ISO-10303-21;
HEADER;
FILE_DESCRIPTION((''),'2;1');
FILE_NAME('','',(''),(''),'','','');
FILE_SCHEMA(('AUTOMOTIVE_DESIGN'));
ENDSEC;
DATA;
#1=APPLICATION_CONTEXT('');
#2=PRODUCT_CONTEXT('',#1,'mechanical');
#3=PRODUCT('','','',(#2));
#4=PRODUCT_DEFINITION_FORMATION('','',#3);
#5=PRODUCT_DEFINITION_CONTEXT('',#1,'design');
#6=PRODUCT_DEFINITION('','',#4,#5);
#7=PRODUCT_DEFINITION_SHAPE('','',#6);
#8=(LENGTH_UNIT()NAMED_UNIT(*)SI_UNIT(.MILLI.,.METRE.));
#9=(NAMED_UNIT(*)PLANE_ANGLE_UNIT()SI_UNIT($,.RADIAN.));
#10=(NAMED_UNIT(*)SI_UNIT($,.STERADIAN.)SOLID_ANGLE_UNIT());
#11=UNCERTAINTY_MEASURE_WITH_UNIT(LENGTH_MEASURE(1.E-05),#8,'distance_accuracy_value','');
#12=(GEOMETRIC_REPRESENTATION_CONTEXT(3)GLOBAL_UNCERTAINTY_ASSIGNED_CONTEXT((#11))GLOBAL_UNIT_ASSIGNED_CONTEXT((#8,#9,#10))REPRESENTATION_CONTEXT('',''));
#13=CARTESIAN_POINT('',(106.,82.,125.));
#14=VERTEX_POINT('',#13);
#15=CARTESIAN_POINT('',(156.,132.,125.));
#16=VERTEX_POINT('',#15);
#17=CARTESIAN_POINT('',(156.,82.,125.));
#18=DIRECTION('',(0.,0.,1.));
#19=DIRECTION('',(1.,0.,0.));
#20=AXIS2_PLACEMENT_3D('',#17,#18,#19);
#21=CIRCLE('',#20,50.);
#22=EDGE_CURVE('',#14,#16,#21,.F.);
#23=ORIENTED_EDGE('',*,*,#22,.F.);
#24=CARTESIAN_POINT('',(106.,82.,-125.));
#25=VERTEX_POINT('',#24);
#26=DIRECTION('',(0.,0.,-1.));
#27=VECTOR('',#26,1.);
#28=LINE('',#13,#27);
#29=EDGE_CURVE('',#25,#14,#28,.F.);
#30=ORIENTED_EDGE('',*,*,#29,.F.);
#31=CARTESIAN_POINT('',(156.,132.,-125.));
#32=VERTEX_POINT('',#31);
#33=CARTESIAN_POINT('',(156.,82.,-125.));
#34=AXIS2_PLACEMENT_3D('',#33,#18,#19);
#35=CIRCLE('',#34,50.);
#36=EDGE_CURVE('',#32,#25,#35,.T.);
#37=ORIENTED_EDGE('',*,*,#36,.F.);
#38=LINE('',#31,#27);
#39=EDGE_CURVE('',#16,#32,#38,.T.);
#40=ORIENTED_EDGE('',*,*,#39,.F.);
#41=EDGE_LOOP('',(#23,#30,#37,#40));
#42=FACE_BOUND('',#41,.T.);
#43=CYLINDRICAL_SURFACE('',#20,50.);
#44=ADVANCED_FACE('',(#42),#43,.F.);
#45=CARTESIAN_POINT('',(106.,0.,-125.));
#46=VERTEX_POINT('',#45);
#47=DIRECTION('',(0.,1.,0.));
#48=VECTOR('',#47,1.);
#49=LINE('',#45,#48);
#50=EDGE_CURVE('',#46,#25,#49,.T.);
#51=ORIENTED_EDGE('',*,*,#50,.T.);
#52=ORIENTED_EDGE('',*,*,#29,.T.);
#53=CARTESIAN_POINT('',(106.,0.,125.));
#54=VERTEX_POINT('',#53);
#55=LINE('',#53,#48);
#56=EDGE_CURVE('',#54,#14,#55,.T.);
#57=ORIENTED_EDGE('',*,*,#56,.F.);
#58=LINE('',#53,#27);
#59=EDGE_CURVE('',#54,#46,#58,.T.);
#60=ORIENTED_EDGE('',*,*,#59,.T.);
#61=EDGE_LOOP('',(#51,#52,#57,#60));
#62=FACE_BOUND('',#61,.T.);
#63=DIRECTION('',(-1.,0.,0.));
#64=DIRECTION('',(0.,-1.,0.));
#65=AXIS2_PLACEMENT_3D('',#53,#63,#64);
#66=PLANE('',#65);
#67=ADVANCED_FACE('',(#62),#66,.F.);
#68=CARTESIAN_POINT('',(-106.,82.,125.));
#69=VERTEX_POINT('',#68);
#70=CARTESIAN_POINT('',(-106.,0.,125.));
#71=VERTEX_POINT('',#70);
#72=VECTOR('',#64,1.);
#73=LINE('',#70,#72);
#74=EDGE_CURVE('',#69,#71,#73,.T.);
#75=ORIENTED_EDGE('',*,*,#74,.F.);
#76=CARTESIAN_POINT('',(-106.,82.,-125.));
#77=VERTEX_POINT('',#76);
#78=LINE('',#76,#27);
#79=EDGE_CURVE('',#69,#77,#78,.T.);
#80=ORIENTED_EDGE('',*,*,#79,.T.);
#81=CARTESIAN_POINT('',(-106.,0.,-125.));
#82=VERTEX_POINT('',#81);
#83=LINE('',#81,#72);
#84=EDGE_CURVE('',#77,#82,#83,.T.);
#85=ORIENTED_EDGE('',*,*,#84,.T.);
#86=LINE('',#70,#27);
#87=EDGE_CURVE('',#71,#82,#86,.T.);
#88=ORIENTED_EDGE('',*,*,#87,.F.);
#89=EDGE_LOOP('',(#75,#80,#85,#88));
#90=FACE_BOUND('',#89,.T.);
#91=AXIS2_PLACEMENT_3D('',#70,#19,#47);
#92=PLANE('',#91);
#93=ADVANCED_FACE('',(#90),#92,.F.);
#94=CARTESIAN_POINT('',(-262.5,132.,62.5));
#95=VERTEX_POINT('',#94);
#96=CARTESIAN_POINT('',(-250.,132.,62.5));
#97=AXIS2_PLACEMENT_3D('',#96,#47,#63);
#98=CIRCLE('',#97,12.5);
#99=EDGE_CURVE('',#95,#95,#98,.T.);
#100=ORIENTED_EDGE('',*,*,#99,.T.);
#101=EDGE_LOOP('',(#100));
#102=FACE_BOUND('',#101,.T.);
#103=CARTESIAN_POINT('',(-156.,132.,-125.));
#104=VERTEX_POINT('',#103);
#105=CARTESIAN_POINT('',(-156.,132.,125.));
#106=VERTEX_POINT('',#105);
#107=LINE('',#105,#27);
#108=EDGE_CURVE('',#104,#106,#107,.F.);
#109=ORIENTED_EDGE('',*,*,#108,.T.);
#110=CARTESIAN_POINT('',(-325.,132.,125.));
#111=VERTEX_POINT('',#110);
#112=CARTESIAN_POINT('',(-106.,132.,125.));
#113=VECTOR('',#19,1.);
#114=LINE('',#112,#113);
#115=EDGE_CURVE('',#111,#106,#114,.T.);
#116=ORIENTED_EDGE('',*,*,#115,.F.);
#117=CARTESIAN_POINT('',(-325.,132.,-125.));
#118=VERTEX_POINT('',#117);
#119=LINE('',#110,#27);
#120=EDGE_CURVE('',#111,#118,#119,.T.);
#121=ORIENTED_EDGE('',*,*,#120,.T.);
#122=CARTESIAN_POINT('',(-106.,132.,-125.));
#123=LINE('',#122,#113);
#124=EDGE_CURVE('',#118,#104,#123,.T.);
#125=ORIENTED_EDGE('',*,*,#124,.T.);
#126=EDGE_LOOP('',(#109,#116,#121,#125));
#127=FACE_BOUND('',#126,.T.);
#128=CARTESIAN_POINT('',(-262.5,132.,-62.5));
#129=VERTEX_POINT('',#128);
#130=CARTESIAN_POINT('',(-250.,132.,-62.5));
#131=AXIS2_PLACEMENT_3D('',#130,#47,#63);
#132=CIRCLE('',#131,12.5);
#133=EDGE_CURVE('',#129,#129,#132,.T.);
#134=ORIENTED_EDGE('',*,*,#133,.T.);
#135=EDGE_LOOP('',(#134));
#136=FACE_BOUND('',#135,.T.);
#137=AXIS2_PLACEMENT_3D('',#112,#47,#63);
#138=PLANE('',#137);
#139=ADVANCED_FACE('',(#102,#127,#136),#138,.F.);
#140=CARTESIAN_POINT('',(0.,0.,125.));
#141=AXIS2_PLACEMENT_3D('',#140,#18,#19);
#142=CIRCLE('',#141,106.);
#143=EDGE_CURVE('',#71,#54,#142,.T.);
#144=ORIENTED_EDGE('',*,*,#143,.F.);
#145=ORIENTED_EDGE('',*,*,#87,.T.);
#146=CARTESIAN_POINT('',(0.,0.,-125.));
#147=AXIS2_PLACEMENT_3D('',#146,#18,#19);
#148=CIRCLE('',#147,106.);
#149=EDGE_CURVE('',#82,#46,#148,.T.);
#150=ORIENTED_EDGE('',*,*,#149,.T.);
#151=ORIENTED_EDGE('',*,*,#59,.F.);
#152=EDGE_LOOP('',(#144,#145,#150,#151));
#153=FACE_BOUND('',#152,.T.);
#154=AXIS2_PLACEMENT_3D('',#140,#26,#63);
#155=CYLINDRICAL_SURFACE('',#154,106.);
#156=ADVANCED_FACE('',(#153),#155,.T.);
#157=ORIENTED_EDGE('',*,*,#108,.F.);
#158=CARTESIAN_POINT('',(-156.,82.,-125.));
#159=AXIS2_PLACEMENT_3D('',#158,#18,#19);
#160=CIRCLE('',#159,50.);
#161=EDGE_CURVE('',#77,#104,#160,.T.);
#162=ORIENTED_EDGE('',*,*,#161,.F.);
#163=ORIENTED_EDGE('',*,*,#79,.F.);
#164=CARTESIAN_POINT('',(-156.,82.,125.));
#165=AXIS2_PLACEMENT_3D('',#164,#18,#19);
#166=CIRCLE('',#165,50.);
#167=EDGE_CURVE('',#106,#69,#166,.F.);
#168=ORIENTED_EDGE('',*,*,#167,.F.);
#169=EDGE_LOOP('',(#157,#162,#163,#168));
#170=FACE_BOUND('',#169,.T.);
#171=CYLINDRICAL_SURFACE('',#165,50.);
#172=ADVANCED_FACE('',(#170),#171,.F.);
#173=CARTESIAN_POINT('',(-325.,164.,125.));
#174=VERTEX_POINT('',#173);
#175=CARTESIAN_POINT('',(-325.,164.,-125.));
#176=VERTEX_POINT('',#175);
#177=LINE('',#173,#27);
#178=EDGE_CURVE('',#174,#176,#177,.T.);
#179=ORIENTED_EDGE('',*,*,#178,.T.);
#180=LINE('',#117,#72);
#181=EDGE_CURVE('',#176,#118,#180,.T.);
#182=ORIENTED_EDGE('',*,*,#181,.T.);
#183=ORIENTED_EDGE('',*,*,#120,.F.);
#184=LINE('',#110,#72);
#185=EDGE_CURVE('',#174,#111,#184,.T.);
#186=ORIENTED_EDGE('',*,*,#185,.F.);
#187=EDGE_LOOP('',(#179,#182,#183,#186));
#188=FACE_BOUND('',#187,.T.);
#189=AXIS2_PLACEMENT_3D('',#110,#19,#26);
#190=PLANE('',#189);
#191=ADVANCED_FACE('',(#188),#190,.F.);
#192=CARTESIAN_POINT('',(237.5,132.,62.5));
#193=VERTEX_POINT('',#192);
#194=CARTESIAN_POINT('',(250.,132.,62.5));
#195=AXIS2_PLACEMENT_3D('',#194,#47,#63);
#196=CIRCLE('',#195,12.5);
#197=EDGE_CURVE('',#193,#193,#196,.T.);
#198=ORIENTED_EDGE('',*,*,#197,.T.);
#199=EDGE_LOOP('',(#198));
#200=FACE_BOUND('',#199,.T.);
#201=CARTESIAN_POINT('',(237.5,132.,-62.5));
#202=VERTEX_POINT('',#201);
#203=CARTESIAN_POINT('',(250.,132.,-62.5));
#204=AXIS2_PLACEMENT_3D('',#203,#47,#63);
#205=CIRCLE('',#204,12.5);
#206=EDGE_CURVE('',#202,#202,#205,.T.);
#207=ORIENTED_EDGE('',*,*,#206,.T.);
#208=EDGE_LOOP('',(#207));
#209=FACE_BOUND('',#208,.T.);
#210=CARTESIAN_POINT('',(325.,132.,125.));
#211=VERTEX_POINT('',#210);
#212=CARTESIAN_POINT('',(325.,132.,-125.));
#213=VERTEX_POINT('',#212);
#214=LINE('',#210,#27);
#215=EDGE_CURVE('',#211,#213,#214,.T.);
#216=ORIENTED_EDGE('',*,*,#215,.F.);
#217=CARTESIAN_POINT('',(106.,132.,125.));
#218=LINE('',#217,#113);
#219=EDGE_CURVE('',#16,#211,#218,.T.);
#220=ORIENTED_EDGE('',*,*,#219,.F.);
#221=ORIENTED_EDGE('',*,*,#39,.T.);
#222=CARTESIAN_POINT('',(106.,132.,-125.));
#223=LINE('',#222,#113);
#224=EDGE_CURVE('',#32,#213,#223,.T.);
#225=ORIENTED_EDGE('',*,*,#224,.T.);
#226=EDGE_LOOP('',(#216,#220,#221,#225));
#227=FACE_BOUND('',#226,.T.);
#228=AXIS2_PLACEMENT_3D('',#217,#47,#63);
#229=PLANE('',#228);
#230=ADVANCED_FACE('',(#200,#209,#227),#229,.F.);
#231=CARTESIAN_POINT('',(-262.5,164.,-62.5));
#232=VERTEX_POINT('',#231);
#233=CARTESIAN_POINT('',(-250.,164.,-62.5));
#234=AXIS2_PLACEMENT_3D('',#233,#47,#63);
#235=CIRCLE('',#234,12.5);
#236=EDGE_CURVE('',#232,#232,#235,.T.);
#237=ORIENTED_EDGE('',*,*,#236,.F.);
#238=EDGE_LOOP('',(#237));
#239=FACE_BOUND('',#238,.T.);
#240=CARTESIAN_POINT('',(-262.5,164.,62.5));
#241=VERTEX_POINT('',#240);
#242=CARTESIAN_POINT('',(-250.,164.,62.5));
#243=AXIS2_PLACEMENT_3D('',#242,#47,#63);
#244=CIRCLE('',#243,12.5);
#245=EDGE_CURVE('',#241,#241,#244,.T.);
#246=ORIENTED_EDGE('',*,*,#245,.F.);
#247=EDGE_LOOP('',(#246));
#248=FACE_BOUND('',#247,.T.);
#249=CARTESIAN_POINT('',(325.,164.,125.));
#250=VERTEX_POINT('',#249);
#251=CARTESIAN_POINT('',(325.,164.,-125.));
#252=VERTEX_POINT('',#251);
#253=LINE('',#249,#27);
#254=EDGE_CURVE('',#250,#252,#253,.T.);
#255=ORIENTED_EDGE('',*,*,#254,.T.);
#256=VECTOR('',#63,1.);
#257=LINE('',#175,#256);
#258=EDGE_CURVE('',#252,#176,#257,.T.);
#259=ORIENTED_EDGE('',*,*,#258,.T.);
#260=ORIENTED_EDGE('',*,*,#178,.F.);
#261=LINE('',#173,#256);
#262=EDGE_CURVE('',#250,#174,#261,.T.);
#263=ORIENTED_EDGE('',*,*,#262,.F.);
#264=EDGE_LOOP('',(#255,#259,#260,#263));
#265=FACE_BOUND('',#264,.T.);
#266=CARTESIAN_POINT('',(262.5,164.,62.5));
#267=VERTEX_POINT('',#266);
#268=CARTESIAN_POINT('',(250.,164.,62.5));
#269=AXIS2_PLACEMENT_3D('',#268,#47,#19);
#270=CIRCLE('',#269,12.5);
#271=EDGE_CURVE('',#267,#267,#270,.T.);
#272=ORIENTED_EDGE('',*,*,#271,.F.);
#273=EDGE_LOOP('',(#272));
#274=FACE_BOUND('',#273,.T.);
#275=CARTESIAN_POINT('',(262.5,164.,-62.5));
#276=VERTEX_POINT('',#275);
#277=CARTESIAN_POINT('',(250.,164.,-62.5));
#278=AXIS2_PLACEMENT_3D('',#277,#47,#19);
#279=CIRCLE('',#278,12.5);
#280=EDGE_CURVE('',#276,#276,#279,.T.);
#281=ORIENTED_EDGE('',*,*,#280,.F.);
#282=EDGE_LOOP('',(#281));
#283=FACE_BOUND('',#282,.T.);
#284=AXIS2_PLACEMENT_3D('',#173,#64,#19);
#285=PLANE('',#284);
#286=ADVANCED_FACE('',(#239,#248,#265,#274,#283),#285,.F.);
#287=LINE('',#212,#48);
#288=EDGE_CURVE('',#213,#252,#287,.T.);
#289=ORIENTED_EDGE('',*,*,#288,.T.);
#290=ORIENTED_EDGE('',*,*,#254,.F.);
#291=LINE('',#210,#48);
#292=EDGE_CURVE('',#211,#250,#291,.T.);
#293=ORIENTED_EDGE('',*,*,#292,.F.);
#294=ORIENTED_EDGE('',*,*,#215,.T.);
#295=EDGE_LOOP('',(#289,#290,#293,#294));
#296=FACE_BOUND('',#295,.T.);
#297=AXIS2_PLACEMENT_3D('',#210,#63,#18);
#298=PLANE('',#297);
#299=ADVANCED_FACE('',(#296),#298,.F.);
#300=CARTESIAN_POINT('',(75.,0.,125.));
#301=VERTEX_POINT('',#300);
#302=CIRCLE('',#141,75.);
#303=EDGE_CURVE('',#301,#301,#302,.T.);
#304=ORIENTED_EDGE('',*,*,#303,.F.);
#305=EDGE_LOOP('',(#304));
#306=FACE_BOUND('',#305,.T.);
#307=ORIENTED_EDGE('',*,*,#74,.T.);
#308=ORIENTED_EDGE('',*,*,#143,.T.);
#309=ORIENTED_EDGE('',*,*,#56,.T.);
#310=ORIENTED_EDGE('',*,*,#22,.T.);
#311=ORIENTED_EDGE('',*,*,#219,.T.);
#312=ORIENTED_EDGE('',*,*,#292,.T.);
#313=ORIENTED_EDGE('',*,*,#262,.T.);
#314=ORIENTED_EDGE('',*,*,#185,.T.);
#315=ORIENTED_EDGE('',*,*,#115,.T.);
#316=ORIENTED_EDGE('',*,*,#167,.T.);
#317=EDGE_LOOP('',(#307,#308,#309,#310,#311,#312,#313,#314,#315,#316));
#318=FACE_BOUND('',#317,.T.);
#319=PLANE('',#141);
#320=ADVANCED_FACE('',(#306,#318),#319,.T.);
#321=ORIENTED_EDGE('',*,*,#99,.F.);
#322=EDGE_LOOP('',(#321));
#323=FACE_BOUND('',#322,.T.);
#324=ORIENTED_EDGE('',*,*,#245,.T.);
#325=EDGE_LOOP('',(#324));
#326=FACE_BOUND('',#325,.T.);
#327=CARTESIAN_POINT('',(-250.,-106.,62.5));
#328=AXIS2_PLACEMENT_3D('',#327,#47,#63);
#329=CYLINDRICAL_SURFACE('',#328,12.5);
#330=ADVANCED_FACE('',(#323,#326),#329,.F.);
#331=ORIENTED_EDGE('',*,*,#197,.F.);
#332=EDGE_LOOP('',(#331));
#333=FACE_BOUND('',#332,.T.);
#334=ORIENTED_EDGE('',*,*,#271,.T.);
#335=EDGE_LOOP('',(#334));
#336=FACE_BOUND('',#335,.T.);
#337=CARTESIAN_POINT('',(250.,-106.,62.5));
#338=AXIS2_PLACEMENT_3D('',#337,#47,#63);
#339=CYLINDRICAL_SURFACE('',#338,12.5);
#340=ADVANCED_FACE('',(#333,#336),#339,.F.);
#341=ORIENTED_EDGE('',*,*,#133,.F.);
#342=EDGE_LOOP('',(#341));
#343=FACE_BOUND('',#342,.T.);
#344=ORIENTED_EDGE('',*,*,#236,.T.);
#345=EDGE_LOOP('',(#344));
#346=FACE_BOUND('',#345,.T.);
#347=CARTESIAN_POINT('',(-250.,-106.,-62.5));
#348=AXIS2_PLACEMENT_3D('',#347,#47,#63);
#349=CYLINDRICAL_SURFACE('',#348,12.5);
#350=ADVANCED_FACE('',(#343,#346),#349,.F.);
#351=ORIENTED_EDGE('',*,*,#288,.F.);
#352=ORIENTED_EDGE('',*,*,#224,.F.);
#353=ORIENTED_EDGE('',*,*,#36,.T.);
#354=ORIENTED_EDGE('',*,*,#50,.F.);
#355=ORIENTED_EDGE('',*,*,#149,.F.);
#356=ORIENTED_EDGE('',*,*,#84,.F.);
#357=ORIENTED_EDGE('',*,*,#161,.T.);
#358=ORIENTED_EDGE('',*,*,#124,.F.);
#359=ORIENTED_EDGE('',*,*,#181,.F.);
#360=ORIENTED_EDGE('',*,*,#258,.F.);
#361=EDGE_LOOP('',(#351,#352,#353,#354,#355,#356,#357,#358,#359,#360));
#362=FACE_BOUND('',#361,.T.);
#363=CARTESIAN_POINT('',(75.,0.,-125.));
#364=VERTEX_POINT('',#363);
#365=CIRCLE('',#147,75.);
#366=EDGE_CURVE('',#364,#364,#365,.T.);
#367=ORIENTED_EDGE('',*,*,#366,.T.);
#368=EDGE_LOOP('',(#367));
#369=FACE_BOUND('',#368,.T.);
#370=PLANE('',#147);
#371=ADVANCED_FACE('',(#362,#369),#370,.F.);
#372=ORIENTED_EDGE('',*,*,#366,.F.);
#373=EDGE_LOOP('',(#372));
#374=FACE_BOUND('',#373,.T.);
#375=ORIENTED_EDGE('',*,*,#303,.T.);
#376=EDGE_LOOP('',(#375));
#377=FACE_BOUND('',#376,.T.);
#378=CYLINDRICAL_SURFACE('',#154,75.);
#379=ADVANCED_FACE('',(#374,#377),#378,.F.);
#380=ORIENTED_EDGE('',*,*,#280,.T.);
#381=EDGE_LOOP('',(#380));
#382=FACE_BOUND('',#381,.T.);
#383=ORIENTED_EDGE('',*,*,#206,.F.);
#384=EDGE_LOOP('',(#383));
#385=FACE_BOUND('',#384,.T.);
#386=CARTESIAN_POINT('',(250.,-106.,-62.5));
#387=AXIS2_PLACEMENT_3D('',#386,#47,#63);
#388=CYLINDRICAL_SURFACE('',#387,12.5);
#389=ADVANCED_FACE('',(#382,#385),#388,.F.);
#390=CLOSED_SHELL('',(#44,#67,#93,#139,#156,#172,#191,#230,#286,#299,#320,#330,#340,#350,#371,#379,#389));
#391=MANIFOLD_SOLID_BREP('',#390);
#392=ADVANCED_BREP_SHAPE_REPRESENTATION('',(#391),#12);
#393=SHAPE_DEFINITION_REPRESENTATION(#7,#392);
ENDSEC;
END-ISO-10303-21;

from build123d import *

# Parameters (mm, degrees)
SKETCH1_R           = 75
BOSS_EXTRUDE1_DEPTH = 125
FILLET1_R           = 50
SKETCH2_R           = 12.5
CUT_EXTRUDE1_DEPTH  = 441.624556737


with BuildPart() as part:
    # Sketch1 → Boss-Extrude1 (new, symmetric)
    with BuildSketch(Plane.XY):
        with BuildLine():
            Line((-106, 0), (-106, 132))
            Line((-106, 132), (-325, 132))
            Line((-325, 132), (-325, 164))
            Line((-325, 164), (325, 164))
            Line((325, 164), (325, 132))
            Line((325, 132), (106, 132))
            Line((106, 132), (106, 0))
            ThreePointArc((106, 0), (0, -106), (-106, 0))
        make_face()
        Circle(SKETCH1_R, mode=Mode.SUBTRACT)
    extrude(amount=BOSS_EXTRUDE1_DEPTH, both=True)

    # Fillet1
    fillet1_edges = [part.edges().sort_by_distance(p)[0] for p in [
        (106, 132, 0),
        (-106, 132, 0),
    ]]
    fillet(fillet1_edges, radius=FILLET1_R)

    # Sketch2 → Cut-Extrude1 (cut, through all)
    with BuildSketch(Plane(origin=(0, 164, 0), x_dir=(1, 0, 0), z_dir=(0, 1, 0))):
        with Locations(Location((-250, 62.5, 0), (0, 0, 180))):
            Circle(SKETCH2_R)
        with Locations(Location((-250, -62.5, 0), (0, 0, 180))):
            Circle(SKETCH2_R)
        with Locations(Location((250, -62.5, 0), (0, 0, 180))):
            Circle(SKETCH2_R)
        with Locations(Location((250, 62.5, 0), (0, 0, 180))):
            Circle(SKETCH2_R)
    extrude(amount=-CUT_EXTRUDE1_DEPTH, mode=Mode.SUBTRACT)


solid = part.part
